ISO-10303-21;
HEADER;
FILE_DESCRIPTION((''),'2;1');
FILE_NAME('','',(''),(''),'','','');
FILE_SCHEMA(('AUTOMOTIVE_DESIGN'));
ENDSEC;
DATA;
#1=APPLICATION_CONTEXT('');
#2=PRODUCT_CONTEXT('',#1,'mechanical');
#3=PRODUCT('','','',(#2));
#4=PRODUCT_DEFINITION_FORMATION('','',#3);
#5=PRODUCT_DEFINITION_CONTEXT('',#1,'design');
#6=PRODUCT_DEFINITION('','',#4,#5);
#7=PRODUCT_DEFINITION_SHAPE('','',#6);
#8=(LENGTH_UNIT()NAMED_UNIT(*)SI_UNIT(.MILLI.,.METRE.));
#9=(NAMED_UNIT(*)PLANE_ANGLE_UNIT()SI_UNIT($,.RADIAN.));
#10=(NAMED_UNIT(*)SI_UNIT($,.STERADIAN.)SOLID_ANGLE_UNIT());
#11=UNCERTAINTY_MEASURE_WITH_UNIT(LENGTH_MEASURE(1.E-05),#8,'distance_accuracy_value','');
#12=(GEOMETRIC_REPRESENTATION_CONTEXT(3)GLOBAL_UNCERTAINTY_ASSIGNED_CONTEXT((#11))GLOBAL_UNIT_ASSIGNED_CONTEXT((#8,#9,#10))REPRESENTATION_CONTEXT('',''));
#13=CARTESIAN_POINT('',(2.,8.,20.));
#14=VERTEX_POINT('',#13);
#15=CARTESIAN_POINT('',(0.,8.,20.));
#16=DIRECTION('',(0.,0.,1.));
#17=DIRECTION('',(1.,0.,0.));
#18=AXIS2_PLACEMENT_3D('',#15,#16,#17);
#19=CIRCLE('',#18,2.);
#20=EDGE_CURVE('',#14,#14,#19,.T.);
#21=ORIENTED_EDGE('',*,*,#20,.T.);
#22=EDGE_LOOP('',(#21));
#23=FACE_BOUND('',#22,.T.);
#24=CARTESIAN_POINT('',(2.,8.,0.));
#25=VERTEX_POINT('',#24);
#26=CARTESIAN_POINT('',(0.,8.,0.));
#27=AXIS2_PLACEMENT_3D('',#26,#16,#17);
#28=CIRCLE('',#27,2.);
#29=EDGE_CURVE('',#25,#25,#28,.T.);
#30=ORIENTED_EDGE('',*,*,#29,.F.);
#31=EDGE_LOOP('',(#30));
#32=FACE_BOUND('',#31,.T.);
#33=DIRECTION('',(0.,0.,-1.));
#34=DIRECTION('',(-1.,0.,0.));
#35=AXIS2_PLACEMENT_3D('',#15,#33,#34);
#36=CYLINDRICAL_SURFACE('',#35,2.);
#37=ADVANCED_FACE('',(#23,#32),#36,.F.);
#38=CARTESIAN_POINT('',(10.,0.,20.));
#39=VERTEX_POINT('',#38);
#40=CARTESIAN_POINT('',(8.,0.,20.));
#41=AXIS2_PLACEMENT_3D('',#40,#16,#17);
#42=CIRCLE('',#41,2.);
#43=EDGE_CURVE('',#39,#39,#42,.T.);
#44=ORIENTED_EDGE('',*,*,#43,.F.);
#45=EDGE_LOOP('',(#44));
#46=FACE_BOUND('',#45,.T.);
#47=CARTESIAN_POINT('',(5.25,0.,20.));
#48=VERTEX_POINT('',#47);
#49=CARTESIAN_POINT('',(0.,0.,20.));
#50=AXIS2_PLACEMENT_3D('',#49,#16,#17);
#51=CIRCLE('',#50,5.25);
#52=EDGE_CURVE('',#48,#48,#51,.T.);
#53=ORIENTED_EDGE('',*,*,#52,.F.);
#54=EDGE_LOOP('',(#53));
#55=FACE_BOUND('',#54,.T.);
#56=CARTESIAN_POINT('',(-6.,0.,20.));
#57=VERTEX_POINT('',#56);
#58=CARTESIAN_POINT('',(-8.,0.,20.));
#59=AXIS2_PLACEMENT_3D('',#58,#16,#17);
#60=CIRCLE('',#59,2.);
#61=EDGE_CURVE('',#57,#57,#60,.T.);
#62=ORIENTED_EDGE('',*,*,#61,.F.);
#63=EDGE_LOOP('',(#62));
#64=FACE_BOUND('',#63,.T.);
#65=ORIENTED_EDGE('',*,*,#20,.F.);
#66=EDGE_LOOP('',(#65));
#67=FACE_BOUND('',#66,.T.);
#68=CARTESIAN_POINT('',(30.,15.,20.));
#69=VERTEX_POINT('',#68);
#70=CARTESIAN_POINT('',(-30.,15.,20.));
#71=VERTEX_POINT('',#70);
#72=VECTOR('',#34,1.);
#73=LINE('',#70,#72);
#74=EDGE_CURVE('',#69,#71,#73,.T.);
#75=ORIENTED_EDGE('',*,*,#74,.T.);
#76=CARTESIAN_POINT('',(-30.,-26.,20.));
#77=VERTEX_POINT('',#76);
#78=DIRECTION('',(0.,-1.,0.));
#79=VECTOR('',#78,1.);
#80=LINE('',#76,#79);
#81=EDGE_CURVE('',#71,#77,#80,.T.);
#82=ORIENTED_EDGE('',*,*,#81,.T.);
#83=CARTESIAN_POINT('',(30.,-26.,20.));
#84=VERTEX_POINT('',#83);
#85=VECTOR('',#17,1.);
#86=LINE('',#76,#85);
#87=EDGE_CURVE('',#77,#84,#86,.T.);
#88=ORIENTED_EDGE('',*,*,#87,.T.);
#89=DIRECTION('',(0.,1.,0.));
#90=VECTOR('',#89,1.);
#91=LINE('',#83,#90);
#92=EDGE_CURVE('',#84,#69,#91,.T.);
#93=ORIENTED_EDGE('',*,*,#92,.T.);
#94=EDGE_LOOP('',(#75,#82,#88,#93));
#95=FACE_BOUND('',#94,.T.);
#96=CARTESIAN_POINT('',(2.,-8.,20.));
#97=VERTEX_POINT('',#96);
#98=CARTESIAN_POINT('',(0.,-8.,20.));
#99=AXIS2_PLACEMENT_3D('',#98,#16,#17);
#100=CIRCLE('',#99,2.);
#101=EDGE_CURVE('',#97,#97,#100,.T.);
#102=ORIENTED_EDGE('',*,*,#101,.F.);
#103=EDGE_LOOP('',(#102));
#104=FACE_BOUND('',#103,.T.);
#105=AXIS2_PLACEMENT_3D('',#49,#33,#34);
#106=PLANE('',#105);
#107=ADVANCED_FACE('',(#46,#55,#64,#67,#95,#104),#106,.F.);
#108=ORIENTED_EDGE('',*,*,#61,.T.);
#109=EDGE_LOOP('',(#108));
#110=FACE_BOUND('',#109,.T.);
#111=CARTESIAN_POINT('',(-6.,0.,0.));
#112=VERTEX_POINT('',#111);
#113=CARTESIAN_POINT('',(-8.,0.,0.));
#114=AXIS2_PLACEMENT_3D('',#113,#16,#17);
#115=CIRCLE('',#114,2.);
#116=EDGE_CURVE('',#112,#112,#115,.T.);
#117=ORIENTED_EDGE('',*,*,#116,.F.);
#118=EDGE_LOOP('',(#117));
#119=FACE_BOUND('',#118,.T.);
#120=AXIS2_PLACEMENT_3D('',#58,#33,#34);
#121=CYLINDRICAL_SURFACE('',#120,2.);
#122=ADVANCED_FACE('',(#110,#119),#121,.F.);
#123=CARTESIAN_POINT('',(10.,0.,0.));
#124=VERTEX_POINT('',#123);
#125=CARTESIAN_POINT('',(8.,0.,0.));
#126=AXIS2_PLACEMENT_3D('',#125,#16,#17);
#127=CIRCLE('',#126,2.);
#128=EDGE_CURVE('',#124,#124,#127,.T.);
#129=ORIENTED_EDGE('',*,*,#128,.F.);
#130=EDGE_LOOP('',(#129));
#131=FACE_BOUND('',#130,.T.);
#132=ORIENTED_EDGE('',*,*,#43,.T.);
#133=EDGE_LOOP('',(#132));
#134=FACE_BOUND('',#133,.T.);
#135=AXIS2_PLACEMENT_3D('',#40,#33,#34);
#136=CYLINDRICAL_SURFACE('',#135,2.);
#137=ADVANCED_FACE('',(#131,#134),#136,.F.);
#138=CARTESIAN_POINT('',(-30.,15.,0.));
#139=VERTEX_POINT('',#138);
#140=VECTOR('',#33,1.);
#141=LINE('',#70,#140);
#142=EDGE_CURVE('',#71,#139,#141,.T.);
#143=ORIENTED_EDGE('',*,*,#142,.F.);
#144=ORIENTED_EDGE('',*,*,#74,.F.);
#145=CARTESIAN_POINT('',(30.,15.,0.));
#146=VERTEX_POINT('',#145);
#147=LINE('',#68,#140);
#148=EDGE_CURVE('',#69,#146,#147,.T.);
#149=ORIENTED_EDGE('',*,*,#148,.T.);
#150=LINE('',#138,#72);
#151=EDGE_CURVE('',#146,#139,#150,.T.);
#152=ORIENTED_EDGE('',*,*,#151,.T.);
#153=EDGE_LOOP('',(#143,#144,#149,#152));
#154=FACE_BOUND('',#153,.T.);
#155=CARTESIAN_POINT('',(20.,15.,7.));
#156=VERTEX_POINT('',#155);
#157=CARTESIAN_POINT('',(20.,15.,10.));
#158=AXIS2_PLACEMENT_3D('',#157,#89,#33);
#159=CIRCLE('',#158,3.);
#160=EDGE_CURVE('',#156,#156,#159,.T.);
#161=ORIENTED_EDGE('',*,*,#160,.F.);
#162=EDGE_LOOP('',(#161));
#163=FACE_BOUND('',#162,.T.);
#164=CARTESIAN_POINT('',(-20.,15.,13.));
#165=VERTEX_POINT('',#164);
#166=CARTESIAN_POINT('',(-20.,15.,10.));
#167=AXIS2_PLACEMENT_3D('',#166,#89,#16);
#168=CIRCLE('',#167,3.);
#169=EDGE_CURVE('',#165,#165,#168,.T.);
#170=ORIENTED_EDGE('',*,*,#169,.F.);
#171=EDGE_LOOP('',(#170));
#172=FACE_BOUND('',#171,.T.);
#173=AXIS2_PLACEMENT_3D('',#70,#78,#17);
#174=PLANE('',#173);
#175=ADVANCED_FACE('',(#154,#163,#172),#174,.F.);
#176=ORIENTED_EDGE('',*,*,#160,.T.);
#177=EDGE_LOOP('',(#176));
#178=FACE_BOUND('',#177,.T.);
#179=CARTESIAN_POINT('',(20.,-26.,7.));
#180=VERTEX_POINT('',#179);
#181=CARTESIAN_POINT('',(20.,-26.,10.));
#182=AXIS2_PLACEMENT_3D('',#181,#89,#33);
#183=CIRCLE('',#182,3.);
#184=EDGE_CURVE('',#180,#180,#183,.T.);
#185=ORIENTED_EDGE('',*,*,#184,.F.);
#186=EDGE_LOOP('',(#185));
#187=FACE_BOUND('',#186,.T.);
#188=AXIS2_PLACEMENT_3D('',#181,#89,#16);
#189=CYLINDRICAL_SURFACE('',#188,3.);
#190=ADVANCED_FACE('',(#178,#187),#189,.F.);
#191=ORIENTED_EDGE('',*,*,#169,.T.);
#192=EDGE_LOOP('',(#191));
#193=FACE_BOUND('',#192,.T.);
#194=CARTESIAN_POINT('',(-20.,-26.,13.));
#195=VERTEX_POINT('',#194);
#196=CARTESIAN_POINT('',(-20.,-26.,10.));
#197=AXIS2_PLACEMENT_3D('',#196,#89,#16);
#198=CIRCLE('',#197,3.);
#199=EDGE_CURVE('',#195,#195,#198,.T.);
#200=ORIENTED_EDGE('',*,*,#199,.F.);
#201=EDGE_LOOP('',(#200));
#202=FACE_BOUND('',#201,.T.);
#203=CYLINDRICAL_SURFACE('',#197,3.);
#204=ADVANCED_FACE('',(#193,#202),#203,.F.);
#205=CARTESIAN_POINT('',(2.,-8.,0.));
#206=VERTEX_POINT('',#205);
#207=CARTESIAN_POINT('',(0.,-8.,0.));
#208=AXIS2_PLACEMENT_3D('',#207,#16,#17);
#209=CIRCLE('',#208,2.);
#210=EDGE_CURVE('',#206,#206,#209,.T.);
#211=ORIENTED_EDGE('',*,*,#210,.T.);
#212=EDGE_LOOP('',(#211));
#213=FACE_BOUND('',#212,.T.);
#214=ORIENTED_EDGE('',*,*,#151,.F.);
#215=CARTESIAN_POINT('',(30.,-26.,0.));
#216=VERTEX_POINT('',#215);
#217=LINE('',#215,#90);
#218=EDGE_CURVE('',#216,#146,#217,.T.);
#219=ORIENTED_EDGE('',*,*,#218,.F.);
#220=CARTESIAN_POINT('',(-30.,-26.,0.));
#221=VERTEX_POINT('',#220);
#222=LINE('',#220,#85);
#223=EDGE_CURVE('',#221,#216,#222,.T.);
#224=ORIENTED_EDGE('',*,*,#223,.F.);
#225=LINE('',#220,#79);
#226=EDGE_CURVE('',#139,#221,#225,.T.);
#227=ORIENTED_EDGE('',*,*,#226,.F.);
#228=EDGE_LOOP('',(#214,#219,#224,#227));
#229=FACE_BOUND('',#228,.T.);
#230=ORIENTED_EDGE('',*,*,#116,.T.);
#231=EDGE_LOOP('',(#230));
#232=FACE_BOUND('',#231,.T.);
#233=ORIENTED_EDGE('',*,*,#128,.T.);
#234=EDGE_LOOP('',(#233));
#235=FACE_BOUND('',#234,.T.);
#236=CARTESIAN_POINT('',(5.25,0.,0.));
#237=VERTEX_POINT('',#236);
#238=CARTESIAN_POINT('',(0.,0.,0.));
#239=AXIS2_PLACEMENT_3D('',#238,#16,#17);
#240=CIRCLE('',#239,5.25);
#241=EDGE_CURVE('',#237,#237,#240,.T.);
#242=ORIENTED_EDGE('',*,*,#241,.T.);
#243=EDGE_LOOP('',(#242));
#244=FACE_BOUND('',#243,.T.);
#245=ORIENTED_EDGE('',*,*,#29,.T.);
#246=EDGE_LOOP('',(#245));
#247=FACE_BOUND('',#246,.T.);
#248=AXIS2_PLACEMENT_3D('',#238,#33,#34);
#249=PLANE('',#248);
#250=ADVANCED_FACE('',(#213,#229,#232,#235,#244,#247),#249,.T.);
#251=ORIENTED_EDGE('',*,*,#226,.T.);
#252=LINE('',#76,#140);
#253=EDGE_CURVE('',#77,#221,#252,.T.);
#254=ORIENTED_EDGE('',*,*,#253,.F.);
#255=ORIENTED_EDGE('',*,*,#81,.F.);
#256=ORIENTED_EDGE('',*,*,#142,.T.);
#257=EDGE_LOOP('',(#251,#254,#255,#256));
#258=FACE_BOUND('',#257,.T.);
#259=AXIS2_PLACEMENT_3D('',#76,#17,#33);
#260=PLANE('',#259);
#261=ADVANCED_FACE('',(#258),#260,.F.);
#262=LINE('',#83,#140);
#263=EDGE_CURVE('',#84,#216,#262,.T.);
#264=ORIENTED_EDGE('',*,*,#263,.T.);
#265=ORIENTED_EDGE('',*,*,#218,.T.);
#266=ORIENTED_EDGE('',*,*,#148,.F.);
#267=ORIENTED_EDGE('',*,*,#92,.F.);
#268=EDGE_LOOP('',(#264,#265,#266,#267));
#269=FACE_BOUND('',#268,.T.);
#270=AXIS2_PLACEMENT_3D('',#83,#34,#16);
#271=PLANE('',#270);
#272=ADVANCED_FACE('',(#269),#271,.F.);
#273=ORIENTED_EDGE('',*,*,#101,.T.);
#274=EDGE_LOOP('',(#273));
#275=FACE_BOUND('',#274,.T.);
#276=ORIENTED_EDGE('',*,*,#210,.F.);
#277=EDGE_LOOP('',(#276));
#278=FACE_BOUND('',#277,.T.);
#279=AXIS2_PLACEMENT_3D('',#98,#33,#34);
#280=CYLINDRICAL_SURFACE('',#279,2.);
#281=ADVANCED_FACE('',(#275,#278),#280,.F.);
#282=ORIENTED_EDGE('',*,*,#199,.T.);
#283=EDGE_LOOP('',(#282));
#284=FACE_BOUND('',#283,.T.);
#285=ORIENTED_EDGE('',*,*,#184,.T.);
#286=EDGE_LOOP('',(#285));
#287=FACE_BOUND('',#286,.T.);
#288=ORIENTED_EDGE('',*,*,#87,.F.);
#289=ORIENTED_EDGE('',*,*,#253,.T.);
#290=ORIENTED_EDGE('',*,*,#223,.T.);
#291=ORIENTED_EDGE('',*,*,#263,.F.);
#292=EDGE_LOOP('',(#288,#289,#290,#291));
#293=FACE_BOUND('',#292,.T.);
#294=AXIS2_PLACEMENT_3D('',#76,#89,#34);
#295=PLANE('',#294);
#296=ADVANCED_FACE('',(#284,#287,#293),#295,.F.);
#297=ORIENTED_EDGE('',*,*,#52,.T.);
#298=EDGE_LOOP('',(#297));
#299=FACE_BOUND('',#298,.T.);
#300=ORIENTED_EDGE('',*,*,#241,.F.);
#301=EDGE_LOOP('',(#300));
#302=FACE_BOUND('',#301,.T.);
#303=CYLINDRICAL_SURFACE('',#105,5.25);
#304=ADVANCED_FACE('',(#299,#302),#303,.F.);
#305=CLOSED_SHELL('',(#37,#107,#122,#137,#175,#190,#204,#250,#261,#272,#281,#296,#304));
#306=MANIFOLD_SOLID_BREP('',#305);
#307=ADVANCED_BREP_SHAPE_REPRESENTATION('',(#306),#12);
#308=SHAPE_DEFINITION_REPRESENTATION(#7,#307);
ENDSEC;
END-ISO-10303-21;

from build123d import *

# Parameters (mm, degrees)
SKETCH1_W           = 60
SKETCH1_H           = 41
SKETCH1_R           = 5.25
SKETCH1_R_2         = 2
BOSS_EXTRUDE1_DEPTH = 20
SKETCH2_R           = 3
CUT_EXTRUDE1_DEPTH  = 55.598534779


with BuildPart() as part:
    # Sketch1 → Boss-Extrude1 (new body)
    with BuildSketch(Plane.XY):
        with Locations((0, -5.5)):
            Rectangle(SKETCH1_W, SKETCH1_H)
        Circle(SKETCH1_R, mode=Mode.SUBTRACT)
        with Locations((0, 8)):
            Circle(SKETCH1_R_2, mode=Mode.SUBTRACT)
        with Locations((8, 0)):
            Circle(SKETCH1_R_2, mode=Mode.SUBTRACT)
        with Locations((0, -8)):
            Circle(SKETCH1_R_2, mode=Mode.SUBTRACT)
        with Locations((-8, 0)):
            Circle(SKETCH1_R_2, mode=Mode.SUBTRACT)
    extrude(amount=BOSS_EXTRUDE1_DEPTH)

    # Sketch2 → Cut-Extrude1 (cut, through all)
    with BuildSketch(Plane(origin=(0, 15, 0), x_dir=(1, 0, 0), z_dir=(0, 1, 0))):
        with Locations(Location((-20, -10, 0), (0, 0, 270))):
            Circle(SKETCH2_R)
        with Locations(Location((20, -10, 0), (0, 0, 90))):
            Circle(SKETCH2_R)
    extrude(amount=-CUT_EXTRUDE1_DEPTH, mode=Mode.SUBTRACT)


solid = part.part
